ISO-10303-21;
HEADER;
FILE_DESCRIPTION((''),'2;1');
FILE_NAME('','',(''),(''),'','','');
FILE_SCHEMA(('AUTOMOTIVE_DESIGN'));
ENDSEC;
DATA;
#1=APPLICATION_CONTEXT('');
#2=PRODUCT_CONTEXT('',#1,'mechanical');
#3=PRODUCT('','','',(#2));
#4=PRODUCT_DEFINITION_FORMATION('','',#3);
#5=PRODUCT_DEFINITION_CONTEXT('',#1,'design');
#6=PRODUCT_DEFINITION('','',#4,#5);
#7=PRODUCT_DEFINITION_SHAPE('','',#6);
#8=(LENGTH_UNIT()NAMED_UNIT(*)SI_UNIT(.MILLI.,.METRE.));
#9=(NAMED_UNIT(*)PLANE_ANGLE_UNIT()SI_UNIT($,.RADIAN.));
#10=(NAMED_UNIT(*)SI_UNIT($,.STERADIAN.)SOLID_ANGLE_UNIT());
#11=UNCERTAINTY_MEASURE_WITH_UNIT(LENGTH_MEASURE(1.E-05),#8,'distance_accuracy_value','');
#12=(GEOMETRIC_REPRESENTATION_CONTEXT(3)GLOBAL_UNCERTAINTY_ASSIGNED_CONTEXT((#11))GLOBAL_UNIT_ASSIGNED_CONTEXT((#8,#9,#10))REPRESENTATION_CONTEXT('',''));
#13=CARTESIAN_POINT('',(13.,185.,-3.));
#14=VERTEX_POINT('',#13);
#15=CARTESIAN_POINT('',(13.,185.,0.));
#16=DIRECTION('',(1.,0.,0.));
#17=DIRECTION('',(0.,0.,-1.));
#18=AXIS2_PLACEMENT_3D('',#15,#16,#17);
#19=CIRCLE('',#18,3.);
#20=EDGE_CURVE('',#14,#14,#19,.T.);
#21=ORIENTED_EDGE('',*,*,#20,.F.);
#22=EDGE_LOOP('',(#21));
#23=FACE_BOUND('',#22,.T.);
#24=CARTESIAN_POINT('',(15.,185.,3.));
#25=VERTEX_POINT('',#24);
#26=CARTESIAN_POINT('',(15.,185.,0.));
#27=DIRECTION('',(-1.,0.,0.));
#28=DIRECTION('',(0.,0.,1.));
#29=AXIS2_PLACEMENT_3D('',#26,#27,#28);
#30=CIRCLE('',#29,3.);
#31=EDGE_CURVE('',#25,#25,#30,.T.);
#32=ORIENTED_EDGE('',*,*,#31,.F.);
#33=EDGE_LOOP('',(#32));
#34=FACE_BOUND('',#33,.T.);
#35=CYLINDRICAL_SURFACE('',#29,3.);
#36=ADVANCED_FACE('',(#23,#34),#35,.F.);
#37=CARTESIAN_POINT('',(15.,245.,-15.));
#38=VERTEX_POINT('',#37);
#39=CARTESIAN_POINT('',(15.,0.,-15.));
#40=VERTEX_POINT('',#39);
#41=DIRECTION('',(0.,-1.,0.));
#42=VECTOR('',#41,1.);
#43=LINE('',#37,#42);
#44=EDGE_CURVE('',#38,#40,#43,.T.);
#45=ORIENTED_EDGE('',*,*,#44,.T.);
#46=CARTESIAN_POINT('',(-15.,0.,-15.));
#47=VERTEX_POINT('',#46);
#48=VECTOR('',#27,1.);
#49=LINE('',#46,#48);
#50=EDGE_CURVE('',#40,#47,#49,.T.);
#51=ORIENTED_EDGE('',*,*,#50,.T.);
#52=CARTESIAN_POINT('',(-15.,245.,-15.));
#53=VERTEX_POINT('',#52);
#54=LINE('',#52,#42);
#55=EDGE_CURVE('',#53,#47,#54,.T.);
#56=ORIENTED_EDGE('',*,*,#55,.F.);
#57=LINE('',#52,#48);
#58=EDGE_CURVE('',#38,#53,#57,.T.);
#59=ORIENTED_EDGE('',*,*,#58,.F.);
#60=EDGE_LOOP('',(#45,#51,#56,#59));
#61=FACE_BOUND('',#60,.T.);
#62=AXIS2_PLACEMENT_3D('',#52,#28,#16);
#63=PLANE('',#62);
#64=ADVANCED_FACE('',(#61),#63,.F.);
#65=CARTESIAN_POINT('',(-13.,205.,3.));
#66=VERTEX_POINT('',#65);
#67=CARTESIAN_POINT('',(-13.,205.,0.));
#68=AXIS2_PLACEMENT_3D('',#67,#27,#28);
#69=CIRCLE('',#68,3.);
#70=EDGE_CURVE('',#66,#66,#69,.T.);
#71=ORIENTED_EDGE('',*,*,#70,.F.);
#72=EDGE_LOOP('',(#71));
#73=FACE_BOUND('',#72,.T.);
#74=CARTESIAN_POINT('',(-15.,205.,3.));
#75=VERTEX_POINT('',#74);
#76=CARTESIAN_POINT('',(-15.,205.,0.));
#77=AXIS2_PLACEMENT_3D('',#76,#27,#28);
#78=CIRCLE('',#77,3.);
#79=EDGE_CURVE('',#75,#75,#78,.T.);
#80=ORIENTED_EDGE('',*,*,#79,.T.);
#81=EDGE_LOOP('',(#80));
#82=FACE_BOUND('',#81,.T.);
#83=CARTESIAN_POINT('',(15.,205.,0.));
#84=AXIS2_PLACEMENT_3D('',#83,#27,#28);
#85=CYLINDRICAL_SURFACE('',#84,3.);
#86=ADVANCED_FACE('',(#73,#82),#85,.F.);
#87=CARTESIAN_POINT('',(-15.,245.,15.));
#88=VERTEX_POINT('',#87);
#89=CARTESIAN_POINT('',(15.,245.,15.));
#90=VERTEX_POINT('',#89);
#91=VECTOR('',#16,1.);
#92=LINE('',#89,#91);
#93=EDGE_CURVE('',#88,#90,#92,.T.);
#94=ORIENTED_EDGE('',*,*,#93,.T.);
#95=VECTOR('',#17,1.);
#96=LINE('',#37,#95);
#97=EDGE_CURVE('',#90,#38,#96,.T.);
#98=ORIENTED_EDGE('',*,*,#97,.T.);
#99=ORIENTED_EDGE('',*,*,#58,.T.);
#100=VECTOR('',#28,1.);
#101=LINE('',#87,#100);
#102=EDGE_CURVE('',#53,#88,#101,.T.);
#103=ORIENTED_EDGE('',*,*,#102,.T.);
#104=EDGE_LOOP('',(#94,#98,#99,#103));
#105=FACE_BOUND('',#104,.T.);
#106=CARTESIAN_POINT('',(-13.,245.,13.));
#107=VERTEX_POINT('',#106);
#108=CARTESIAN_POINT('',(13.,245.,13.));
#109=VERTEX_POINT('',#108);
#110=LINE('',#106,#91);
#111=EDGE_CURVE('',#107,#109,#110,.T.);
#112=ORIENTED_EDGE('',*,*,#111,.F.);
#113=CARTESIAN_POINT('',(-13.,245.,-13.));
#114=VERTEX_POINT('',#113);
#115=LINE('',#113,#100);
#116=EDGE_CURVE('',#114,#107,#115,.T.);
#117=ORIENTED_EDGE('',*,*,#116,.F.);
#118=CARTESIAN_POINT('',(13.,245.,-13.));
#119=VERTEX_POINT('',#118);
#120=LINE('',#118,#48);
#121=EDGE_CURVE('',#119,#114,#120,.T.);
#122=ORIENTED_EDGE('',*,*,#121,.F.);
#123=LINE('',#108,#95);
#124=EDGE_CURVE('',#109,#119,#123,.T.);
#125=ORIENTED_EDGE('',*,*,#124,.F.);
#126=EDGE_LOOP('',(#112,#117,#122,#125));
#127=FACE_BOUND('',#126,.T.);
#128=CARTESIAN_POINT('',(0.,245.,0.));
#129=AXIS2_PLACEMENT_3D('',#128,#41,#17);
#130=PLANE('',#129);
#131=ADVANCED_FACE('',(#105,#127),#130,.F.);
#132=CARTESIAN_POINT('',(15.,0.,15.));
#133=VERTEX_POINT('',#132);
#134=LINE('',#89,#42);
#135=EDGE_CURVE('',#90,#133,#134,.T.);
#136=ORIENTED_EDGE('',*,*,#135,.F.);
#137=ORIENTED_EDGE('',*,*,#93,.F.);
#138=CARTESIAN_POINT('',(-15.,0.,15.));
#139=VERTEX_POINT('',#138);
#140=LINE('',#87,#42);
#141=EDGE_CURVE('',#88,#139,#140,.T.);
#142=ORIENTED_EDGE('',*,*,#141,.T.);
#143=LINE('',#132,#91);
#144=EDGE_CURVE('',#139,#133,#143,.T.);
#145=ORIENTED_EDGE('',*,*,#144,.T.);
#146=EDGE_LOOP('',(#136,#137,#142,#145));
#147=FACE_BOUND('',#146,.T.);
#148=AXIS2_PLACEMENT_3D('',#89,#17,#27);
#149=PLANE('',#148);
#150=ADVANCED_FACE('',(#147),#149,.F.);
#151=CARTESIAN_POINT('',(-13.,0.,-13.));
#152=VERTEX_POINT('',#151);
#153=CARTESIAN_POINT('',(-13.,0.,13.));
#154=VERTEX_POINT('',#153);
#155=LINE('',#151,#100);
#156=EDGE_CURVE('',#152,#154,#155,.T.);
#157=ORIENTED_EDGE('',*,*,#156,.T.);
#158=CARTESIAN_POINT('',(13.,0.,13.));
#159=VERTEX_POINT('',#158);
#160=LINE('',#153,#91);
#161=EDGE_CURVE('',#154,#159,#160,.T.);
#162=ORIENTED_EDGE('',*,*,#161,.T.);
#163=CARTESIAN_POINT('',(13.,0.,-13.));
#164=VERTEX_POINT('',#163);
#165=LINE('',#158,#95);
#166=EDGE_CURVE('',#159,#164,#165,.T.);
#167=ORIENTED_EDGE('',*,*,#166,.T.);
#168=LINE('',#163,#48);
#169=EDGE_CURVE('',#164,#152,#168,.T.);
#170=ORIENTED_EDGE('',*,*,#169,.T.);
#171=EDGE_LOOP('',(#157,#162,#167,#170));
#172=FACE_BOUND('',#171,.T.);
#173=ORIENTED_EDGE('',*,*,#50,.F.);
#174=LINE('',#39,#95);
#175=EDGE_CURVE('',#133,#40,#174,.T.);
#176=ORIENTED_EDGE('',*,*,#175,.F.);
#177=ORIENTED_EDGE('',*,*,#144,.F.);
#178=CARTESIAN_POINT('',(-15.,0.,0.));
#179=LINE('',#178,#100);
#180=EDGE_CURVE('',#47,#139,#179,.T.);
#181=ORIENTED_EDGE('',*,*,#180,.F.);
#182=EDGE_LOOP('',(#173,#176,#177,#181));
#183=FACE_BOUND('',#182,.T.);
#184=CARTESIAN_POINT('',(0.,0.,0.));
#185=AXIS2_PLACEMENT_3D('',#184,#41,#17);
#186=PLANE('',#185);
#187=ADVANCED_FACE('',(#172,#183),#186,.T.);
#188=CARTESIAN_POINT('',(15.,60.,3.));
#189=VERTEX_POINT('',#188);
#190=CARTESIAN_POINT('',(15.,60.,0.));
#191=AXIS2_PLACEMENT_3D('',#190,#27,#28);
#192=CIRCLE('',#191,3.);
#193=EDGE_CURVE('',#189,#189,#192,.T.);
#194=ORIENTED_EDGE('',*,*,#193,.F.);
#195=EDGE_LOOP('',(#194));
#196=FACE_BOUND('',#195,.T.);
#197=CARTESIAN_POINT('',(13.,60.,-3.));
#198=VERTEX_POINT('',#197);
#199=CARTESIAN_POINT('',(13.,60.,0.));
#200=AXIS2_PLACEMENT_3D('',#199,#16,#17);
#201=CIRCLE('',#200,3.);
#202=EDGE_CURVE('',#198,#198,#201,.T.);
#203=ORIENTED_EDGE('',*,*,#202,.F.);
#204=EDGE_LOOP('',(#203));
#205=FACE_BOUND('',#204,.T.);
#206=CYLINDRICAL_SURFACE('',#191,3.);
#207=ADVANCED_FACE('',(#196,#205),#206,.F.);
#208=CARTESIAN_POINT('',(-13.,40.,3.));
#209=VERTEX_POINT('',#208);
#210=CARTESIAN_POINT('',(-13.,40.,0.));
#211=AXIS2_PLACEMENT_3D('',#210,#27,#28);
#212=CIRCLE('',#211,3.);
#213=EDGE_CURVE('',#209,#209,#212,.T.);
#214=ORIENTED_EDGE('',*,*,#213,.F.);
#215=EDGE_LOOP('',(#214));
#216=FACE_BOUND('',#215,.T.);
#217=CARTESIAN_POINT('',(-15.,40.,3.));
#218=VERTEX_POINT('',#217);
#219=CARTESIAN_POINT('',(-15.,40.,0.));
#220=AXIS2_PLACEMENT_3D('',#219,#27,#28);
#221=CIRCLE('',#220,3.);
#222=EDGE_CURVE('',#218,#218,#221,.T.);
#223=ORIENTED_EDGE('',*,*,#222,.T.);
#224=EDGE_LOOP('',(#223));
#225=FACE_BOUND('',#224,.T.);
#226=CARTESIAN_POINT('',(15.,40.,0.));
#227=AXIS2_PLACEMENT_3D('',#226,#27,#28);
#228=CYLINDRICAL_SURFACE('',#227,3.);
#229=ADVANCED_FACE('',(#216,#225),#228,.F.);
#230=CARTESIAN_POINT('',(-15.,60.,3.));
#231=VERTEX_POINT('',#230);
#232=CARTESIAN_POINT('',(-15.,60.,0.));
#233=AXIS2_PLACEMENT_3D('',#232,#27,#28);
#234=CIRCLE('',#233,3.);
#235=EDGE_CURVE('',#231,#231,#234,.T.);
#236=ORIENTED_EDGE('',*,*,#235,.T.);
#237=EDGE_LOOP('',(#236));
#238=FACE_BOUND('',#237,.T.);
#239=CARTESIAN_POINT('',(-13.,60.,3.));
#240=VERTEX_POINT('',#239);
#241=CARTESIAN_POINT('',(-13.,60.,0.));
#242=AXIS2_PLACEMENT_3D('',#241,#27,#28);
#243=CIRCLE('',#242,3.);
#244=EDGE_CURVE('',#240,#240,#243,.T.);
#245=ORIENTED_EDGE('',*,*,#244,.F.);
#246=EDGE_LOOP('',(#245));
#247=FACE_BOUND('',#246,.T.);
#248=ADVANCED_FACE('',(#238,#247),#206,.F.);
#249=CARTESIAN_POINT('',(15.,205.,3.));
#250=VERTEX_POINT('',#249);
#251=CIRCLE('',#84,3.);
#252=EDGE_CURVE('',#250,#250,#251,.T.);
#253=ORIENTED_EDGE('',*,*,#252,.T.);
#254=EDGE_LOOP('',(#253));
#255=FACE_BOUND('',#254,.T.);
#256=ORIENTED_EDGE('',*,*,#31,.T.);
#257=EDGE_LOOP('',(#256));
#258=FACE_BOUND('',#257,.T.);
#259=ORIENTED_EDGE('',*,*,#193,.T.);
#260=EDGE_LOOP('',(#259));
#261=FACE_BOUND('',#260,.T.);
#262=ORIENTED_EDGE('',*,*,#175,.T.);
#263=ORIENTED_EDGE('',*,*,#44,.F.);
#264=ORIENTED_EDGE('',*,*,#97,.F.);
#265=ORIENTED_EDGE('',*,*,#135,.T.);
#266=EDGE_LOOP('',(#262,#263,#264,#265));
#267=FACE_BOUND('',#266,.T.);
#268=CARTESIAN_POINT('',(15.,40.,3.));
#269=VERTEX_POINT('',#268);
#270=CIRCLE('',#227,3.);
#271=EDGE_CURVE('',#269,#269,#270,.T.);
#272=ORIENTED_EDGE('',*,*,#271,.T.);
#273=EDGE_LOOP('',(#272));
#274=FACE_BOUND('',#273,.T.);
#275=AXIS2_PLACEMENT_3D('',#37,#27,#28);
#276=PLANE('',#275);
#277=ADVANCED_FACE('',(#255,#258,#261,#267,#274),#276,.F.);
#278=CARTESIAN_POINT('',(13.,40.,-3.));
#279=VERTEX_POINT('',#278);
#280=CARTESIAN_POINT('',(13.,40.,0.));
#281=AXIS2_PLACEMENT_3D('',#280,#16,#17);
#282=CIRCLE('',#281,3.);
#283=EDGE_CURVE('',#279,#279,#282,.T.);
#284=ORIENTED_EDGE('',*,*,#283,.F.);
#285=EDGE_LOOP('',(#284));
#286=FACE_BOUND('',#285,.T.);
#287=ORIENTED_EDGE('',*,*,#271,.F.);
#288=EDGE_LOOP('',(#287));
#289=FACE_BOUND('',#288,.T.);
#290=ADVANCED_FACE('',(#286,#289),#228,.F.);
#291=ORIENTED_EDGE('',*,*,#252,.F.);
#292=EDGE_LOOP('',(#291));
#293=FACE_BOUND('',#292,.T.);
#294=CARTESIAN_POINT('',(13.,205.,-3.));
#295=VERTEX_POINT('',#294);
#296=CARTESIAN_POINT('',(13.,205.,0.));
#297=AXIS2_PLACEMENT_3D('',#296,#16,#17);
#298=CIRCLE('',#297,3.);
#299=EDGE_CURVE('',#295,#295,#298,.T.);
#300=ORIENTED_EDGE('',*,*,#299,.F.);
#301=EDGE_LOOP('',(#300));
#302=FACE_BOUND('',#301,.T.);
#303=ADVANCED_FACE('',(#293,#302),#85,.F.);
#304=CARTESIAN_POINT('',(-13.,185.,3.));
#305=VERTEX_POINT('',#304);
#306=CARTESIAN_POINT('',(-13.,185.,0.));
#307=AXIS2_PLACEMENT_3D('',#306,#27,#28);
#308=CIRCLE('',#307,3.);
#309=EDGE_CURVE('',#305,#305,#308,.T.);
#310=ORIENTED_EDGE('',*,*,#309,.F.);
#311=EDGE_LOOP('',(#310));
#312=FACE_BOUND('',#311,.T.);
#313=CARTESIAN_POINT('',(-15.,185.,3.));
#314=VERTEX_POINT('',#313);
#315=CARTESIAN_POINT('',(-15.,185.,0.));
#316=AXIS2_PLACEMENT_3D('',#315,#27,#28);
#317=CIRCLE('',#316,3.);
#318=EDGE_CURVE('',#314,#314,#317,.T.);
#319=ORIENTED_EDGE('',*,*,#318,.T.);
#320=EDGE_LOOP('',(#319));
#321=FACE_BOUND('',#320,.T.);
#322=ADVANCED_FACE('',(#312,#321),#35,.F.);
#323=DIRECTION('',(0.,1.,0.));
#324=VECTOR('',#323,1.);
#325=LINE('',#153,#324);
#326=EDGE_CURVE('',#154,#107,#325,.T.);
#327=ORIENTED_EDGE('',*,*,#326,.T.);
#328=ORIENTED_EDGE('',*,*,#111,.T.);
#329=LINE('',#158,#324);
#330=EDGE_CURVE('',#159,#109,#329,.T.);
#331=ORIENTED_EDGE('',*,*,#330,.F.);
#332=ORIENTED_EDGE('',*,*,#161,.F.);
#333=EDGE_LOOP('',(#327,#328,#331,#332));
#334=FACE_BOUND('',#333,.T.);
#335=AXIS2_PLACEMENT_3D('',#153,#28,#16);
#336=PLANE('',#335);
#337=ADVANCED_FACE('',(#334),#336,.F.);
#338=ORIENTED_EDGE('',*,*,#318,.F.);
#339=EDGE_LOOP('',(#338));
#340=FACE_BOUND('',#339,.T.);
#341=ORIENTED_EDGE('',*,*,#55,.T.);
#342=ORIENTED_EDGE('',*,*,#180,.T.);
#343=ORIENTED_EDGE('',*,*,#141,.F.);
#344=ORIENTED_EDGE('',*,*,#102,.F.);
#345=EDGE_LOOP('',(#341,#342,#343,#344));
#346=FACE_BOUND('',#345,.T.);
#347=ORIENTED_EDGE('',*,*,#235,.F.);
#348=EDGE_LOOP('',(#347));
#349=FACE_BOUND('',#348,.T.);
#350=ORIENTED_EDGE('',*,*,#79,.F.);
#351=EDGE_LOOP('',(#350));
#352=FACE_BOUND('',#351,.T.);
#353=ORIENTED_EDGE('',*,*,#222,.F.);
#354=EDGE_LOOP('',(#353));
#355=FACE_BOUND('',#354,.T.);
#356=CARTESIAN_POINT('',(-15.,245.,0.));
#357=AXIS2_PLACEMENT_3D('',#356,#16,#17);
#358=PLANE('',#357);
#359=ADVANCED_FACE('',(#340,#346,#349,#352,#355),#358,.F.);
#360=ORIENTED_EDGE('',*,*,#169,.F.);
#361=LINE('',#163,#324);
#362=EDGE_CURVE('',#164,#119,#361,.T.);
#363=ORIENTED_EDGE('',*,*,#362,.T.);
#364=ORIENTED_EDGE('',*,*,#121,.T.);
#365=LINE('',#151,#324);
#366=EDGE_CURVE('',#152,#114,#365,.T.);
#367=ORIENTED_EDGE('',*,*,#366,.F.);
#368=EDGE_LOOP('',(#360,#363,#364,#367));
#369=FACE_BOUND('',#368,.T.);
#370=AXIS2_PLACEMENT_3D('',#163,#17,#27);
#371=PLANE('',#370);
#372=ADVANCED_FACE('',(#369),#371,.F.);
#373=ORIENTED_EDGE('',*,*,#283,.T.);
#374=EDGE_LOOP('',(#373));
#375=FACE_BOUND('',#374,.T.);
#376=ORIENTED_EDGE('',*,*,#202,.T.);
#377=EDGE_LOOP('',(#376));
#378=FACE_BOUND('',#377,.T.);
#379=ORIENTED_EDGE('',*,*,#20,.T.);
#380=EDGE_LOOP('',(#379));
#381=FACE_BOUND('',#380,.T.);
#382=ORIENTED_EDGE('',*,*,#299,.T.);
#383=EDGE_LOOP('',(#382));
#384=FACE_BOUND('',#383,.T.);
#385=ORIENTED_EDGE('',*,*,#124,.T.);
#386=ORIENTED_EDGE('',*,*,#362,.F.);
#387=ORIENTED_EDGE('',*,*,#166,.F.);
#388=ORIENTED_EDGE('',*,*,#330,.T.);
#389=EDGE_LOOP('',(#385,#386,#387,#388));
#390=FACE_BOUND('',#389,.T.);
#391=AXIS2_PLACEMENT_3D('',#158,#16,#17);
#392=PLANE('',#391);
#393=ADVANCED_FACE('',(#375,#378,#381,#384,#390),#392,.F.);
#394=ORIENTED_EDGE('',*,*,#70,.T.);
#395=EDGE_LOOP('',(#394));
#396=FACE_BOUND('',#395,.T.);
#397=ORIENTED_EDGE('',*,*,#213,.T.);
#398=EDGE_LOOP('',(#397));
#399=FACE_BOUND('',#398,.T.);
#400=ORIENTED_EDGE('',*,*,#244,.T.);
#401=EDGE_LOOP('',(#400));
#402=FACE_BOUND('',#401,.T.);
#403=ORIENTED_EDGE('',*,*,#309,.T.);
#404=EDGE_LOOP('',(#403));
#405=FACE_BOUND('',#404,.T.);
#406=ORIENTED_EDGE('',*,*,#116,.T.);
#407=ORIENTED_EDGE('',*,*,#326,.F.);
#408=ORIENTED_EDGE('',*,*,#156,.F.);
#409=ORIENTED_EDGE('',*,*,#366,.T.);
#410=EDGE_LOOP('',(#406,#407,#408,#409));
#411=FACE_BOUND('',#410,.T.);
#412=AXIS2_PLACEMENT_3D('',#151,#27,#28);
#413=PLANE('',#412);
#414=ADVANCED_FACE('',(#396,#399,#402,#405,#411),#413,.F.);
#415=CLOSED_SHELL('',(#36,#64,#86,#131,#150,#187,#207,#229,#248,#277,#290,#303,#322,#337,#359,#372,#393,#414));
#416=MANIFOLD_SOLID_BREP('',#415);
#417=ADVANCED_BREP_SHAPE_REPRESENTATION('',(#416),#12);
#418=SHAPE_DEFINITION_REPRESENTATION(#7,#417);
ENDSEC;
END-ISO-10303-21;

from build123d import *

# Parameters (mm, degrees)
BOSS_EXTRUDE1_DEPTH = 245
SKETCH2_W           = 26
SKETCH2_H           = 26
CUT_EXTRUDE1_DEPTH  = 245
SKETCH4_R           = 3
CUT_EXTRUDE3_DEPTH  = 30


with BuildPart() as part:
    # Sketch1 → Boss-Extrude1 (new body)
    with BuildSketch(Plane(origin=(0, 0, 0), x_dir=(1, 0, 0), z_dir=(0, 1, 0))):
        Polygon((-15, 0), (-15, 15), (15, 15), (15, -15), (-15, -15), align=None)
    extrude(amount=BOSS_EXTRUDE1_DEPTH)

    # Sketch2 → Cut-Extrude1 (cut)
    with BuildSketch(Plane(origin=(0, 245, 0), x_dir=(1, 0, 0), z_dir=(0, 1, 0))):
        Rectangle(SKETCH2_W, SKETCH2_H)
    extrude(amount=-CUT_EXTRUDE1_DEPTH, mode=Mode.SUBTRACT)

    # Sketch4 → Cut-Extrude3 (cut)
    with BuildSketch(Plane.ZY.offset(15)):
        with Locations((0, 205)):
            Circle(SKETCH4_R)
        with Locations((0, 185)):
            Circle(SKETCH4_R)
        with Locations((0, 60)):
            Circle(SKETCH4_R)
        with Locations((0, 40)):
            Circle(SKETCH4_R)
    extrude(amount=-CUT_EXTRUDE3_DEPTH, mode=Mode.SUBTRACT)


solid = part.part
